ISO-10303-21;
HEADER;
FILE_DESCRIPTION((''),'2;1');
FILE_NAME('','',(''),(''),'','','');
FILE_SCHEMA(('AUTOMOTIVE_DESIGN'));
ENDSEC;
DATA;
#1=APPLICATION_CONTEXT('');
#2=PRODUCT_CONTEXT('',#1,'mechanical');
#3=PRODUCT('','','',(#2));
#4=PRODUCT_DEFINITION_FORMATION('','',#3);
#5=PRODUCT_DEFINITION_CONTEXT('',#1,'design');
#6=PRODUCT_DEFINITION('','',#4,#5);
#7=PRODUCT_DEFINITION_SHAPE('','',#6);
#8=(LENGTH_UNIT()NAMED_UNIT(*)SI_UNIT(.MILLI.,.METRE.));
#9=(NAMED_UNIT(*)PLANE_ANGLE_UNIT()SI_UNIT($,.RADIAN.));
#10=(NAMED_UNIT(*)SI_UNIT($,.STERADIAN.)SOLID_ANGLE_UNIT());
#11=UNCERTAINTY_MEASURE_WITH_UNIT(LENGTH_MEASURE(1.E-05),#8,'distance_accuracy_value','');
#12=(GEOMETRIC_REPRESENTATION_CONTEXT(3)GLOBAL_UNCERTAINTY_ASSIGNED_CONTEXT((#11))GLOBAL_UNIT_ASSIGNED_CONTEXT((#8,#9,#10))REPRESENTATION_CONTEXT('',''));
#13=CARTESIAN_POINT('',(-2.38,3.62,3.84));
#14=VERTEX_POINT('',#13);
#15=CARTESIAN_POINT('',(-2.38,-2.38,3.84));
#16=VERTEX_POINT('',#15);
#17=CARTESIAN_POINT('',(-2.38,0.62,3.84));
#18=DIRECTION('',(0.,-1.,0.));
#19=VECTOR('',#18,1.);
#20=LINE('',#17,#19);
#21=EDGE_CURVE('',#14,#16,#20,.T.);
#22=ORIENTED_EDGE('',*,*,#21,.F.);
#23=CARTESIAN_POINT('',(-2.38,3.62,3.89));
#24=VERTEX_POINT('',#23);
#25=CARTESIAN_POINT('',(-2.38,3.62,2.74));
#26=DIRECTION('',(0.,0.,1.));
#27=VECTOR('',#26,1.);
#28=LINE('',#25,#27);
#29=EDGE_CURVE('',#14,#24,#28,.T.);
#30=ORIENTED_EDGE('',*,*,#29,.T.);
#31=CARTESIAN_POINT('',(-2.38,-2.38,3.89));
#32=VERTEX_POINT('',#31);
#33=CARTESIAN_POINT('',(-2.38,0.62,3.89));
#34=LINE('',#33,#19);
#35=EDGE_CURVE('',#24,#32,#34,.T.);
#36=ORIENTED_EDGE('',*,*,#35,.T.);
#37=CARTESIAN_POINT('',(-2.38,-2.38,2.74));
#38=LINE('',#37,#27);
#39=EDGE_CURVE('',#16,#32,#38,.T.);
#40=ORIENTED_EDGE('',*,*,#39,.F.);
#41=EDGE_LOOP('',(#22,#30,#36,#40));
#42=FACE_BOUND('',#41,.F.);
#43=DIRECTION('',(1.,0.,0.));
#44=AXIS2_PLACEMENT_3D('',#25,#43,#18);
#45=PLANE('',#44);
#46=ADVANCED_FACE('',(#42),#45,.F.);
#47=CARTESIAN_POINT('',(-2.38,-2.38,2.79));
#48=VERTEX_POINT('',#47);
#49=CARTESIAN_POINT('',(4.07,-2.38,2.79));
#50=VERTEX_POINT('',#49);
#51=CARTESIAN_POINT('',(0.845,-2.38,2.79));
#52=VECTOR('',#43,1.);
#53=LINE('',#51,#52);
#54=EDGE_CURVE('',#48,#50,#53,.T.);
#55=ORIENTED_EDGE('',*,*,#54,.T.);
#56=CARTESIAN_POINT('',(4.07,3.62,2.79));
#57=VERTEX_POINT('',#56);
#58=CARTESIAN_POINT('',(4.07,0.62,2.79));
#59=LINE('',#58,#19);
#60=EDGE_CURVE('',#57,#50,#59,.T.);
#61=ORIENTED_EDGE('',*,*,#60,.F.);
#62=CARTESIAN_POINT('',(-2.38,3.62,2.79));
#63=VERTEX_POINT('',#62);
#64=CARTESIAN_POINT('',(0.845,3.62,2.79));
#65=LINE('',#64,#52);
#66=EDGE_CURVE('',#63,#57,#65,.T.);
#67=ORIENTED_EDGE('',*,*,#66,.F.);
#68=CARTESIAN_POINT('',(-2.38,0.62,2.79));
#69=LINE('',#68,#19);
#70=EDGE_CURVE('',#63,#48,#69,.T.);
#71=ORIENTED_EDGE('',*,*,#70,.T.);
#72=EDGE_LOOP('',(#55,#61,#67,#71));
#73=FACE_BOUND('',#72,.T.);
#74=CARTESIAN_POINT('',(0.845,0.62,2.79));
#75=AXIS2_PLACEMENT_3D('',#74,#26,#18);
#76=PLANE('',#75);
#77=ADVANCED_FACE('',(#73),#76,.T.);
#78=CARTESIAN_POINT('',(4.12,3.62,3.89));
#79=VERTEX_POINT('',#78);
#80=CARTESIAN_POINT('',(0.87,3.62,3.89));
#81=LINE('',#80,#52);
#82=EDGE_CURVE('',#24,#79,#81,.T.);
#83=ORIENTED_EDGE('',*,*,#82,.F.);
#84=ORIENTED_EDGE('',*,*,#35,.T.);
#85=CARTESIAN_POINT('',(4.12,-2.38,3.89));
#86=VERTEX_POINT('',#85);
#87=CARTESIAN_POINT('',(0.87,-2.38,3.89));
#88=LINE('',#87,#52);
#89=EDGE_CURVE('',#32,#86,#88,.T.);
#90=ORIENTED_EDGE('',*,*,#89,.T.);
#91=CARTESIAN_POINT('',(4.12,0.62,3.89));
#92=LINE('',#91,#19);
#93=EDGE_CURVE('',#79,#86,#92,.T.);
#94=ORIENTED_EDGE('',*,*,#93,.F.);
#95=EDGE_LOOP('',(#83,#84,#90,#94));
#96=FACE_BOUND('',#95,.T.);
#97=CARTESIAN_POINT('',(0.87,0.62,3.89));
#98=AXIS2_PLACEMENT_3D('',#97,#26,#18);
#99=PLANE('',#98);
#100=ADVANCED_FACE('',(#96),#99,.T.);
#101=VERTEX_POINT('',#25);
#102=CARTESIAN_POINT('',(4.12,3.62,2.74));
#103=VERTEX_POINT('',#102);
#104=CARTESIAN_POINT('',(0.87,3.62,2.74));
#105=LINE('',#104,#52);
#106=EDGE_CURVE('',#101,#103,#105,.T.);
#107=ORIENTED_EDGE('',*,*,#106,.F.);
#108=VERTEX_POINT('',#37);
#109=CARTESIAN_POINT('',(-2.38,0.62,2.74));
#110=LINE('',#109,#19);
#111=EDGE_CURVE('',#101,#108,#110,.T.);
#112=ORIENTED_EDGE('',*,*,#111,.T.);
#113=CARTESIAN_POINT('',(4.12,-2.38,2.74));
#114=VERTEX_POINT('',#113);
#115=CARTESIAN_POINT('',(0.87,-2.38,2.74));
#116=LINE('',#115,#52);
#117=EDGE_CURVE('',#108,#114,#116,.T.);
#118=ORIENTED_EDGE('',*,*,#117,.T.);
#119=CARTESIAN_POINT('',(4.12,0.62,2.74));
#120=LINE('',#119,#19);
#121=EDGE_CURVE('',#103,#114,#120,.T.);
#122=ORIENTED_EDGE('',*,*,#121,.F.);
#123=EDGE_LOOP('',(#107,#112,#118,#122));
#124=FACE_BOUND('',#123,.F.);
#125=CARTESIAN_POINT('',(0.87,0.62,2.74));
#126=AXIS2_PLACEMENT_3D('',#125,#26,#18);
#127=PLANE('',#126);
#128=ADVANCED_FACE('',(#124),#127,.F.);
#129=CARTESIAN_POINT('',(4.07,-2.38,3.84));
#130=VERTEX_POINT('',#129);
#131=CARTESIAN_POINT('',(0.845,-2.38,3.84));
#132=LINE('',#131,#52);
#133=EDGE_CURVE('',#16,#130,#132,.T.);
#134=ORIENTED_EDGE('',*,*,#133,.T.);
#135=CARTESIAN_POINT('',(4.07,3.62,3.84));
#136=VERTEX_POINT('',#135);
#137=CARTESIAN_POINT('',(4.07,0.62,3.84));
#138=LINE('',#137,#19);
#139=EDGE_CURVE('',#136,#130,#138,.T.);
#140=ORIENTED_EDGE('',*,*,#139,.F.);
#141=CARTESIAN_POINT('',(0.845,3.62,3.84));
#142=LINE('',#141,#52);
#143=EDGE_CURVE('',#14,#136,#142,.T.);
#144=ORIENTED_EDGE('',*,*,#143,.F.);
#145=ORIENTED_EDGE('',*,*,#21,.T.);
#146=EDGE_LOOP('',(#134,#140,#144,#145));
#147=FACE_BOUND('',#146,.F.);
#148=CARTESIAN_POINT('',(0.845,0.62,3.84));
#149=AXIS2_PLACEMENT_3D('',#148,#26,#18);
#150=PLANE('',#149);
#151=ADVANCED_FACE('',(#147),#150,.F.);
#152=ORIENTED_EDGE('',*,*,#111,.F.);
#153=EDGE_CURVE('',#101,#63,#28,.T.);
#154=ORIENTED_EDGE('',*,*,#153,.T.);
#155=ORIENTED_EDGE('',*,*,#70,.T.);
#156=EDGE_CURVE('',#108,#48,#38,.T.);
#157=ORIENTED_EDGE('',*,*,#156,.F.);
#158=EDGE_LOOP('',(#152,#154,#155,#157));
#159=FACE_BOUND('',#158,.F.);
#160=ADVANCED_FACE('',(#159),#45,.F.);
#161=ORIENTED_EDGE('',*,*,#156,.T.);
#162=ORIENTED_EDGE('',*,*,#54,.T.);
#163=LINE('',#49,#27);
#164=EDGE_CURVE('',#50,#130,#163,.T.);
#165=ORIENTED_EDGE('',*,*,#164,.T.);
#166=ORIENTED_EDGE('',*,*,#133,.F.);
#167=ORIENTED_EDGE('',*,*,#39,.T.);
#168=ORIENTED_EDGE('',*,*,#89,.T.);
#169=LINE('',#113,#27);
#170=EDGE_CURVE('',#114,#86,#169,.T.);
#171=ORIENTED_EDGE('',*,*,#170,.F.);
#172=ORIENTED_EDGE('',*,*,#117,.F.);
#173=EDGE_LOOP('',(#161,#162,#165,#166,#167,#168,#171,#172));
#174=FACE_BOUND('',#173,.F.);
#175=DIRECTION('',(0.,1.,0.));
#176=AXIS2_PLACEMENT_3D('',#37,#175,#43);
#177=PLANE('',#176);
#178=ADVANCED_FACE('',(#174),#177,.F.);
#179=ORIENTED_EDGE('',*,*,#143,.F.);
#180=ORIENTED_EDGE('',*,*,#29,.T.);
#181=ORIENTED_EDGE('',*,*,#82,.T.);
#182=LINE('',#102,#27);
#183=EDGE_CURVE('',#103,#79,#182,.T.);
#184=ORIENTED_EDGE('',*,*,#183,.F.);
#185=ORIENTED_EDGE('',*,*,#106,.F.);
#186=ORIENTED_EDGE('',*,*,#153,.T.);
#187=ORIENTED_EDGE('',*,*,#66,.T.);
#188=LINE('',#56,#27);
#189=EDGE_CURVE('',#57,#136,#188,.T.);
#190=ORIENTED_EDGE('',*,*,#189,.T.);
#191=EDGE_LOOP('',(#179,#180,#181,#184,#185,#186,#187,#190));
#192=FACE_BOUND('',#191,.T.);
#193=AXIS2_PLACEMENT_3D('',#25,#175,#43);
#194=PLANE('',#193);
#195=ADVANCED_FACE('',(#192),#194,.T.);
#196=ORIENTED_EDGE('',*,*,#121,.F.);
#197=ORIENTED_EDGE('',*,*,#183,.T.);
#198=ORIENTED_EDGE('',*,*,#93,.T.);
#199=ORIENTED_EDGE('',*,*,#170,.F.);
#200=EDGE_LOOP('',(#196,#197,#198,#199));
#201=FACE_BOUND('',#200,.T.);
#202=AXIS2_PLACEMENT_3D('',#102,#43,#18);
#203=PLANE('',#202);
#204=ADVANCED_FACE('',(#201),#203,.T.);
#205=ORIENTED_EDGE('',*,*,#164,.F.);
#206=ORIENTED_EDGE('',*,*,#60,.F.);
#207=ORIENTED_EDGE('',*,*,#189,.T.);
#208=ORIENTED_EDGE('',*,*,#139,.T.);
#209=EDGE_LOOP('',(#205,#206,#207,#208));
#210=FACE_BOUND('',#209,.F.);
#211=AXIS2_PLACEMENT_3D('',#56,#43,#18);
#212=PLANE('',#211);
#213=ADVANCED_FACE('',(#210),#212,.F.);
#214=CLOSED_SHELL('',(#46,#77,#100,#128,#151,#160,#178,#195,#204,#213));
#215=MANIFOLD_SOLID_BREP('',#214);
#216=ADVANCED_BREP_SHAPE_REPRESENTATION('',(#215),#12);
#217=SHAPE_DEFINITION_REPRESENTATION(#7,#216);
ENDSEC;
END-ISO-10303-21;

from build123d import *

# Parameters (mm, degrees)
BOX058_W               = 6
BOX058_H               = 6.45
BOX058_DEPTH           = 1.05
BOX057_W               = 6
BOX057_H               = 6.5
BOX057_DEPTH           = 1.15
CUT009_PLACEMENT_ANGLE = 270


with BuildPart() as small_cu_gnd_electrode014:
    # Box058 → Box058 (new body)
    with BuildSketch(Plane.XY.offset(0.05)):
        with Locations((3, 3.225)):
            Rectangle(BOX058_W, BOX058_H)
    extrude(amount=BOX058_DEPTH)


with BuildPart() as small_cu_electrode002_short_axis_gnd:
    # Box057 → Box057 (new body)
    with BuildSketch(Plane.XY):
        with Locations((3, 3.25)):
            Rectangle(BOX057_W, BOX057_H)
    extrude(amount=BOX057_DEPTH)

    # Cut009: cut Small Cu GND Electrode014
    add(small_cu_gnd_electrode014.part, mode=Mode.SUBTRACT)


with BuildPart() as small_cu_electrode002_short_axis_gnd_1:
    # Cut009 placement: moved
    add(small_cu_electrode002_short_axis_gnd.part.moved(Location((-2.38, 3.62, 2.74))).rotate(Axis((-2.38, 3.62, 2.74), (0, 0, 1)), CUT009_PLACEMENT_ANGLE))


solid = small_cu_electrode002_short_axis_gnd_1.part
